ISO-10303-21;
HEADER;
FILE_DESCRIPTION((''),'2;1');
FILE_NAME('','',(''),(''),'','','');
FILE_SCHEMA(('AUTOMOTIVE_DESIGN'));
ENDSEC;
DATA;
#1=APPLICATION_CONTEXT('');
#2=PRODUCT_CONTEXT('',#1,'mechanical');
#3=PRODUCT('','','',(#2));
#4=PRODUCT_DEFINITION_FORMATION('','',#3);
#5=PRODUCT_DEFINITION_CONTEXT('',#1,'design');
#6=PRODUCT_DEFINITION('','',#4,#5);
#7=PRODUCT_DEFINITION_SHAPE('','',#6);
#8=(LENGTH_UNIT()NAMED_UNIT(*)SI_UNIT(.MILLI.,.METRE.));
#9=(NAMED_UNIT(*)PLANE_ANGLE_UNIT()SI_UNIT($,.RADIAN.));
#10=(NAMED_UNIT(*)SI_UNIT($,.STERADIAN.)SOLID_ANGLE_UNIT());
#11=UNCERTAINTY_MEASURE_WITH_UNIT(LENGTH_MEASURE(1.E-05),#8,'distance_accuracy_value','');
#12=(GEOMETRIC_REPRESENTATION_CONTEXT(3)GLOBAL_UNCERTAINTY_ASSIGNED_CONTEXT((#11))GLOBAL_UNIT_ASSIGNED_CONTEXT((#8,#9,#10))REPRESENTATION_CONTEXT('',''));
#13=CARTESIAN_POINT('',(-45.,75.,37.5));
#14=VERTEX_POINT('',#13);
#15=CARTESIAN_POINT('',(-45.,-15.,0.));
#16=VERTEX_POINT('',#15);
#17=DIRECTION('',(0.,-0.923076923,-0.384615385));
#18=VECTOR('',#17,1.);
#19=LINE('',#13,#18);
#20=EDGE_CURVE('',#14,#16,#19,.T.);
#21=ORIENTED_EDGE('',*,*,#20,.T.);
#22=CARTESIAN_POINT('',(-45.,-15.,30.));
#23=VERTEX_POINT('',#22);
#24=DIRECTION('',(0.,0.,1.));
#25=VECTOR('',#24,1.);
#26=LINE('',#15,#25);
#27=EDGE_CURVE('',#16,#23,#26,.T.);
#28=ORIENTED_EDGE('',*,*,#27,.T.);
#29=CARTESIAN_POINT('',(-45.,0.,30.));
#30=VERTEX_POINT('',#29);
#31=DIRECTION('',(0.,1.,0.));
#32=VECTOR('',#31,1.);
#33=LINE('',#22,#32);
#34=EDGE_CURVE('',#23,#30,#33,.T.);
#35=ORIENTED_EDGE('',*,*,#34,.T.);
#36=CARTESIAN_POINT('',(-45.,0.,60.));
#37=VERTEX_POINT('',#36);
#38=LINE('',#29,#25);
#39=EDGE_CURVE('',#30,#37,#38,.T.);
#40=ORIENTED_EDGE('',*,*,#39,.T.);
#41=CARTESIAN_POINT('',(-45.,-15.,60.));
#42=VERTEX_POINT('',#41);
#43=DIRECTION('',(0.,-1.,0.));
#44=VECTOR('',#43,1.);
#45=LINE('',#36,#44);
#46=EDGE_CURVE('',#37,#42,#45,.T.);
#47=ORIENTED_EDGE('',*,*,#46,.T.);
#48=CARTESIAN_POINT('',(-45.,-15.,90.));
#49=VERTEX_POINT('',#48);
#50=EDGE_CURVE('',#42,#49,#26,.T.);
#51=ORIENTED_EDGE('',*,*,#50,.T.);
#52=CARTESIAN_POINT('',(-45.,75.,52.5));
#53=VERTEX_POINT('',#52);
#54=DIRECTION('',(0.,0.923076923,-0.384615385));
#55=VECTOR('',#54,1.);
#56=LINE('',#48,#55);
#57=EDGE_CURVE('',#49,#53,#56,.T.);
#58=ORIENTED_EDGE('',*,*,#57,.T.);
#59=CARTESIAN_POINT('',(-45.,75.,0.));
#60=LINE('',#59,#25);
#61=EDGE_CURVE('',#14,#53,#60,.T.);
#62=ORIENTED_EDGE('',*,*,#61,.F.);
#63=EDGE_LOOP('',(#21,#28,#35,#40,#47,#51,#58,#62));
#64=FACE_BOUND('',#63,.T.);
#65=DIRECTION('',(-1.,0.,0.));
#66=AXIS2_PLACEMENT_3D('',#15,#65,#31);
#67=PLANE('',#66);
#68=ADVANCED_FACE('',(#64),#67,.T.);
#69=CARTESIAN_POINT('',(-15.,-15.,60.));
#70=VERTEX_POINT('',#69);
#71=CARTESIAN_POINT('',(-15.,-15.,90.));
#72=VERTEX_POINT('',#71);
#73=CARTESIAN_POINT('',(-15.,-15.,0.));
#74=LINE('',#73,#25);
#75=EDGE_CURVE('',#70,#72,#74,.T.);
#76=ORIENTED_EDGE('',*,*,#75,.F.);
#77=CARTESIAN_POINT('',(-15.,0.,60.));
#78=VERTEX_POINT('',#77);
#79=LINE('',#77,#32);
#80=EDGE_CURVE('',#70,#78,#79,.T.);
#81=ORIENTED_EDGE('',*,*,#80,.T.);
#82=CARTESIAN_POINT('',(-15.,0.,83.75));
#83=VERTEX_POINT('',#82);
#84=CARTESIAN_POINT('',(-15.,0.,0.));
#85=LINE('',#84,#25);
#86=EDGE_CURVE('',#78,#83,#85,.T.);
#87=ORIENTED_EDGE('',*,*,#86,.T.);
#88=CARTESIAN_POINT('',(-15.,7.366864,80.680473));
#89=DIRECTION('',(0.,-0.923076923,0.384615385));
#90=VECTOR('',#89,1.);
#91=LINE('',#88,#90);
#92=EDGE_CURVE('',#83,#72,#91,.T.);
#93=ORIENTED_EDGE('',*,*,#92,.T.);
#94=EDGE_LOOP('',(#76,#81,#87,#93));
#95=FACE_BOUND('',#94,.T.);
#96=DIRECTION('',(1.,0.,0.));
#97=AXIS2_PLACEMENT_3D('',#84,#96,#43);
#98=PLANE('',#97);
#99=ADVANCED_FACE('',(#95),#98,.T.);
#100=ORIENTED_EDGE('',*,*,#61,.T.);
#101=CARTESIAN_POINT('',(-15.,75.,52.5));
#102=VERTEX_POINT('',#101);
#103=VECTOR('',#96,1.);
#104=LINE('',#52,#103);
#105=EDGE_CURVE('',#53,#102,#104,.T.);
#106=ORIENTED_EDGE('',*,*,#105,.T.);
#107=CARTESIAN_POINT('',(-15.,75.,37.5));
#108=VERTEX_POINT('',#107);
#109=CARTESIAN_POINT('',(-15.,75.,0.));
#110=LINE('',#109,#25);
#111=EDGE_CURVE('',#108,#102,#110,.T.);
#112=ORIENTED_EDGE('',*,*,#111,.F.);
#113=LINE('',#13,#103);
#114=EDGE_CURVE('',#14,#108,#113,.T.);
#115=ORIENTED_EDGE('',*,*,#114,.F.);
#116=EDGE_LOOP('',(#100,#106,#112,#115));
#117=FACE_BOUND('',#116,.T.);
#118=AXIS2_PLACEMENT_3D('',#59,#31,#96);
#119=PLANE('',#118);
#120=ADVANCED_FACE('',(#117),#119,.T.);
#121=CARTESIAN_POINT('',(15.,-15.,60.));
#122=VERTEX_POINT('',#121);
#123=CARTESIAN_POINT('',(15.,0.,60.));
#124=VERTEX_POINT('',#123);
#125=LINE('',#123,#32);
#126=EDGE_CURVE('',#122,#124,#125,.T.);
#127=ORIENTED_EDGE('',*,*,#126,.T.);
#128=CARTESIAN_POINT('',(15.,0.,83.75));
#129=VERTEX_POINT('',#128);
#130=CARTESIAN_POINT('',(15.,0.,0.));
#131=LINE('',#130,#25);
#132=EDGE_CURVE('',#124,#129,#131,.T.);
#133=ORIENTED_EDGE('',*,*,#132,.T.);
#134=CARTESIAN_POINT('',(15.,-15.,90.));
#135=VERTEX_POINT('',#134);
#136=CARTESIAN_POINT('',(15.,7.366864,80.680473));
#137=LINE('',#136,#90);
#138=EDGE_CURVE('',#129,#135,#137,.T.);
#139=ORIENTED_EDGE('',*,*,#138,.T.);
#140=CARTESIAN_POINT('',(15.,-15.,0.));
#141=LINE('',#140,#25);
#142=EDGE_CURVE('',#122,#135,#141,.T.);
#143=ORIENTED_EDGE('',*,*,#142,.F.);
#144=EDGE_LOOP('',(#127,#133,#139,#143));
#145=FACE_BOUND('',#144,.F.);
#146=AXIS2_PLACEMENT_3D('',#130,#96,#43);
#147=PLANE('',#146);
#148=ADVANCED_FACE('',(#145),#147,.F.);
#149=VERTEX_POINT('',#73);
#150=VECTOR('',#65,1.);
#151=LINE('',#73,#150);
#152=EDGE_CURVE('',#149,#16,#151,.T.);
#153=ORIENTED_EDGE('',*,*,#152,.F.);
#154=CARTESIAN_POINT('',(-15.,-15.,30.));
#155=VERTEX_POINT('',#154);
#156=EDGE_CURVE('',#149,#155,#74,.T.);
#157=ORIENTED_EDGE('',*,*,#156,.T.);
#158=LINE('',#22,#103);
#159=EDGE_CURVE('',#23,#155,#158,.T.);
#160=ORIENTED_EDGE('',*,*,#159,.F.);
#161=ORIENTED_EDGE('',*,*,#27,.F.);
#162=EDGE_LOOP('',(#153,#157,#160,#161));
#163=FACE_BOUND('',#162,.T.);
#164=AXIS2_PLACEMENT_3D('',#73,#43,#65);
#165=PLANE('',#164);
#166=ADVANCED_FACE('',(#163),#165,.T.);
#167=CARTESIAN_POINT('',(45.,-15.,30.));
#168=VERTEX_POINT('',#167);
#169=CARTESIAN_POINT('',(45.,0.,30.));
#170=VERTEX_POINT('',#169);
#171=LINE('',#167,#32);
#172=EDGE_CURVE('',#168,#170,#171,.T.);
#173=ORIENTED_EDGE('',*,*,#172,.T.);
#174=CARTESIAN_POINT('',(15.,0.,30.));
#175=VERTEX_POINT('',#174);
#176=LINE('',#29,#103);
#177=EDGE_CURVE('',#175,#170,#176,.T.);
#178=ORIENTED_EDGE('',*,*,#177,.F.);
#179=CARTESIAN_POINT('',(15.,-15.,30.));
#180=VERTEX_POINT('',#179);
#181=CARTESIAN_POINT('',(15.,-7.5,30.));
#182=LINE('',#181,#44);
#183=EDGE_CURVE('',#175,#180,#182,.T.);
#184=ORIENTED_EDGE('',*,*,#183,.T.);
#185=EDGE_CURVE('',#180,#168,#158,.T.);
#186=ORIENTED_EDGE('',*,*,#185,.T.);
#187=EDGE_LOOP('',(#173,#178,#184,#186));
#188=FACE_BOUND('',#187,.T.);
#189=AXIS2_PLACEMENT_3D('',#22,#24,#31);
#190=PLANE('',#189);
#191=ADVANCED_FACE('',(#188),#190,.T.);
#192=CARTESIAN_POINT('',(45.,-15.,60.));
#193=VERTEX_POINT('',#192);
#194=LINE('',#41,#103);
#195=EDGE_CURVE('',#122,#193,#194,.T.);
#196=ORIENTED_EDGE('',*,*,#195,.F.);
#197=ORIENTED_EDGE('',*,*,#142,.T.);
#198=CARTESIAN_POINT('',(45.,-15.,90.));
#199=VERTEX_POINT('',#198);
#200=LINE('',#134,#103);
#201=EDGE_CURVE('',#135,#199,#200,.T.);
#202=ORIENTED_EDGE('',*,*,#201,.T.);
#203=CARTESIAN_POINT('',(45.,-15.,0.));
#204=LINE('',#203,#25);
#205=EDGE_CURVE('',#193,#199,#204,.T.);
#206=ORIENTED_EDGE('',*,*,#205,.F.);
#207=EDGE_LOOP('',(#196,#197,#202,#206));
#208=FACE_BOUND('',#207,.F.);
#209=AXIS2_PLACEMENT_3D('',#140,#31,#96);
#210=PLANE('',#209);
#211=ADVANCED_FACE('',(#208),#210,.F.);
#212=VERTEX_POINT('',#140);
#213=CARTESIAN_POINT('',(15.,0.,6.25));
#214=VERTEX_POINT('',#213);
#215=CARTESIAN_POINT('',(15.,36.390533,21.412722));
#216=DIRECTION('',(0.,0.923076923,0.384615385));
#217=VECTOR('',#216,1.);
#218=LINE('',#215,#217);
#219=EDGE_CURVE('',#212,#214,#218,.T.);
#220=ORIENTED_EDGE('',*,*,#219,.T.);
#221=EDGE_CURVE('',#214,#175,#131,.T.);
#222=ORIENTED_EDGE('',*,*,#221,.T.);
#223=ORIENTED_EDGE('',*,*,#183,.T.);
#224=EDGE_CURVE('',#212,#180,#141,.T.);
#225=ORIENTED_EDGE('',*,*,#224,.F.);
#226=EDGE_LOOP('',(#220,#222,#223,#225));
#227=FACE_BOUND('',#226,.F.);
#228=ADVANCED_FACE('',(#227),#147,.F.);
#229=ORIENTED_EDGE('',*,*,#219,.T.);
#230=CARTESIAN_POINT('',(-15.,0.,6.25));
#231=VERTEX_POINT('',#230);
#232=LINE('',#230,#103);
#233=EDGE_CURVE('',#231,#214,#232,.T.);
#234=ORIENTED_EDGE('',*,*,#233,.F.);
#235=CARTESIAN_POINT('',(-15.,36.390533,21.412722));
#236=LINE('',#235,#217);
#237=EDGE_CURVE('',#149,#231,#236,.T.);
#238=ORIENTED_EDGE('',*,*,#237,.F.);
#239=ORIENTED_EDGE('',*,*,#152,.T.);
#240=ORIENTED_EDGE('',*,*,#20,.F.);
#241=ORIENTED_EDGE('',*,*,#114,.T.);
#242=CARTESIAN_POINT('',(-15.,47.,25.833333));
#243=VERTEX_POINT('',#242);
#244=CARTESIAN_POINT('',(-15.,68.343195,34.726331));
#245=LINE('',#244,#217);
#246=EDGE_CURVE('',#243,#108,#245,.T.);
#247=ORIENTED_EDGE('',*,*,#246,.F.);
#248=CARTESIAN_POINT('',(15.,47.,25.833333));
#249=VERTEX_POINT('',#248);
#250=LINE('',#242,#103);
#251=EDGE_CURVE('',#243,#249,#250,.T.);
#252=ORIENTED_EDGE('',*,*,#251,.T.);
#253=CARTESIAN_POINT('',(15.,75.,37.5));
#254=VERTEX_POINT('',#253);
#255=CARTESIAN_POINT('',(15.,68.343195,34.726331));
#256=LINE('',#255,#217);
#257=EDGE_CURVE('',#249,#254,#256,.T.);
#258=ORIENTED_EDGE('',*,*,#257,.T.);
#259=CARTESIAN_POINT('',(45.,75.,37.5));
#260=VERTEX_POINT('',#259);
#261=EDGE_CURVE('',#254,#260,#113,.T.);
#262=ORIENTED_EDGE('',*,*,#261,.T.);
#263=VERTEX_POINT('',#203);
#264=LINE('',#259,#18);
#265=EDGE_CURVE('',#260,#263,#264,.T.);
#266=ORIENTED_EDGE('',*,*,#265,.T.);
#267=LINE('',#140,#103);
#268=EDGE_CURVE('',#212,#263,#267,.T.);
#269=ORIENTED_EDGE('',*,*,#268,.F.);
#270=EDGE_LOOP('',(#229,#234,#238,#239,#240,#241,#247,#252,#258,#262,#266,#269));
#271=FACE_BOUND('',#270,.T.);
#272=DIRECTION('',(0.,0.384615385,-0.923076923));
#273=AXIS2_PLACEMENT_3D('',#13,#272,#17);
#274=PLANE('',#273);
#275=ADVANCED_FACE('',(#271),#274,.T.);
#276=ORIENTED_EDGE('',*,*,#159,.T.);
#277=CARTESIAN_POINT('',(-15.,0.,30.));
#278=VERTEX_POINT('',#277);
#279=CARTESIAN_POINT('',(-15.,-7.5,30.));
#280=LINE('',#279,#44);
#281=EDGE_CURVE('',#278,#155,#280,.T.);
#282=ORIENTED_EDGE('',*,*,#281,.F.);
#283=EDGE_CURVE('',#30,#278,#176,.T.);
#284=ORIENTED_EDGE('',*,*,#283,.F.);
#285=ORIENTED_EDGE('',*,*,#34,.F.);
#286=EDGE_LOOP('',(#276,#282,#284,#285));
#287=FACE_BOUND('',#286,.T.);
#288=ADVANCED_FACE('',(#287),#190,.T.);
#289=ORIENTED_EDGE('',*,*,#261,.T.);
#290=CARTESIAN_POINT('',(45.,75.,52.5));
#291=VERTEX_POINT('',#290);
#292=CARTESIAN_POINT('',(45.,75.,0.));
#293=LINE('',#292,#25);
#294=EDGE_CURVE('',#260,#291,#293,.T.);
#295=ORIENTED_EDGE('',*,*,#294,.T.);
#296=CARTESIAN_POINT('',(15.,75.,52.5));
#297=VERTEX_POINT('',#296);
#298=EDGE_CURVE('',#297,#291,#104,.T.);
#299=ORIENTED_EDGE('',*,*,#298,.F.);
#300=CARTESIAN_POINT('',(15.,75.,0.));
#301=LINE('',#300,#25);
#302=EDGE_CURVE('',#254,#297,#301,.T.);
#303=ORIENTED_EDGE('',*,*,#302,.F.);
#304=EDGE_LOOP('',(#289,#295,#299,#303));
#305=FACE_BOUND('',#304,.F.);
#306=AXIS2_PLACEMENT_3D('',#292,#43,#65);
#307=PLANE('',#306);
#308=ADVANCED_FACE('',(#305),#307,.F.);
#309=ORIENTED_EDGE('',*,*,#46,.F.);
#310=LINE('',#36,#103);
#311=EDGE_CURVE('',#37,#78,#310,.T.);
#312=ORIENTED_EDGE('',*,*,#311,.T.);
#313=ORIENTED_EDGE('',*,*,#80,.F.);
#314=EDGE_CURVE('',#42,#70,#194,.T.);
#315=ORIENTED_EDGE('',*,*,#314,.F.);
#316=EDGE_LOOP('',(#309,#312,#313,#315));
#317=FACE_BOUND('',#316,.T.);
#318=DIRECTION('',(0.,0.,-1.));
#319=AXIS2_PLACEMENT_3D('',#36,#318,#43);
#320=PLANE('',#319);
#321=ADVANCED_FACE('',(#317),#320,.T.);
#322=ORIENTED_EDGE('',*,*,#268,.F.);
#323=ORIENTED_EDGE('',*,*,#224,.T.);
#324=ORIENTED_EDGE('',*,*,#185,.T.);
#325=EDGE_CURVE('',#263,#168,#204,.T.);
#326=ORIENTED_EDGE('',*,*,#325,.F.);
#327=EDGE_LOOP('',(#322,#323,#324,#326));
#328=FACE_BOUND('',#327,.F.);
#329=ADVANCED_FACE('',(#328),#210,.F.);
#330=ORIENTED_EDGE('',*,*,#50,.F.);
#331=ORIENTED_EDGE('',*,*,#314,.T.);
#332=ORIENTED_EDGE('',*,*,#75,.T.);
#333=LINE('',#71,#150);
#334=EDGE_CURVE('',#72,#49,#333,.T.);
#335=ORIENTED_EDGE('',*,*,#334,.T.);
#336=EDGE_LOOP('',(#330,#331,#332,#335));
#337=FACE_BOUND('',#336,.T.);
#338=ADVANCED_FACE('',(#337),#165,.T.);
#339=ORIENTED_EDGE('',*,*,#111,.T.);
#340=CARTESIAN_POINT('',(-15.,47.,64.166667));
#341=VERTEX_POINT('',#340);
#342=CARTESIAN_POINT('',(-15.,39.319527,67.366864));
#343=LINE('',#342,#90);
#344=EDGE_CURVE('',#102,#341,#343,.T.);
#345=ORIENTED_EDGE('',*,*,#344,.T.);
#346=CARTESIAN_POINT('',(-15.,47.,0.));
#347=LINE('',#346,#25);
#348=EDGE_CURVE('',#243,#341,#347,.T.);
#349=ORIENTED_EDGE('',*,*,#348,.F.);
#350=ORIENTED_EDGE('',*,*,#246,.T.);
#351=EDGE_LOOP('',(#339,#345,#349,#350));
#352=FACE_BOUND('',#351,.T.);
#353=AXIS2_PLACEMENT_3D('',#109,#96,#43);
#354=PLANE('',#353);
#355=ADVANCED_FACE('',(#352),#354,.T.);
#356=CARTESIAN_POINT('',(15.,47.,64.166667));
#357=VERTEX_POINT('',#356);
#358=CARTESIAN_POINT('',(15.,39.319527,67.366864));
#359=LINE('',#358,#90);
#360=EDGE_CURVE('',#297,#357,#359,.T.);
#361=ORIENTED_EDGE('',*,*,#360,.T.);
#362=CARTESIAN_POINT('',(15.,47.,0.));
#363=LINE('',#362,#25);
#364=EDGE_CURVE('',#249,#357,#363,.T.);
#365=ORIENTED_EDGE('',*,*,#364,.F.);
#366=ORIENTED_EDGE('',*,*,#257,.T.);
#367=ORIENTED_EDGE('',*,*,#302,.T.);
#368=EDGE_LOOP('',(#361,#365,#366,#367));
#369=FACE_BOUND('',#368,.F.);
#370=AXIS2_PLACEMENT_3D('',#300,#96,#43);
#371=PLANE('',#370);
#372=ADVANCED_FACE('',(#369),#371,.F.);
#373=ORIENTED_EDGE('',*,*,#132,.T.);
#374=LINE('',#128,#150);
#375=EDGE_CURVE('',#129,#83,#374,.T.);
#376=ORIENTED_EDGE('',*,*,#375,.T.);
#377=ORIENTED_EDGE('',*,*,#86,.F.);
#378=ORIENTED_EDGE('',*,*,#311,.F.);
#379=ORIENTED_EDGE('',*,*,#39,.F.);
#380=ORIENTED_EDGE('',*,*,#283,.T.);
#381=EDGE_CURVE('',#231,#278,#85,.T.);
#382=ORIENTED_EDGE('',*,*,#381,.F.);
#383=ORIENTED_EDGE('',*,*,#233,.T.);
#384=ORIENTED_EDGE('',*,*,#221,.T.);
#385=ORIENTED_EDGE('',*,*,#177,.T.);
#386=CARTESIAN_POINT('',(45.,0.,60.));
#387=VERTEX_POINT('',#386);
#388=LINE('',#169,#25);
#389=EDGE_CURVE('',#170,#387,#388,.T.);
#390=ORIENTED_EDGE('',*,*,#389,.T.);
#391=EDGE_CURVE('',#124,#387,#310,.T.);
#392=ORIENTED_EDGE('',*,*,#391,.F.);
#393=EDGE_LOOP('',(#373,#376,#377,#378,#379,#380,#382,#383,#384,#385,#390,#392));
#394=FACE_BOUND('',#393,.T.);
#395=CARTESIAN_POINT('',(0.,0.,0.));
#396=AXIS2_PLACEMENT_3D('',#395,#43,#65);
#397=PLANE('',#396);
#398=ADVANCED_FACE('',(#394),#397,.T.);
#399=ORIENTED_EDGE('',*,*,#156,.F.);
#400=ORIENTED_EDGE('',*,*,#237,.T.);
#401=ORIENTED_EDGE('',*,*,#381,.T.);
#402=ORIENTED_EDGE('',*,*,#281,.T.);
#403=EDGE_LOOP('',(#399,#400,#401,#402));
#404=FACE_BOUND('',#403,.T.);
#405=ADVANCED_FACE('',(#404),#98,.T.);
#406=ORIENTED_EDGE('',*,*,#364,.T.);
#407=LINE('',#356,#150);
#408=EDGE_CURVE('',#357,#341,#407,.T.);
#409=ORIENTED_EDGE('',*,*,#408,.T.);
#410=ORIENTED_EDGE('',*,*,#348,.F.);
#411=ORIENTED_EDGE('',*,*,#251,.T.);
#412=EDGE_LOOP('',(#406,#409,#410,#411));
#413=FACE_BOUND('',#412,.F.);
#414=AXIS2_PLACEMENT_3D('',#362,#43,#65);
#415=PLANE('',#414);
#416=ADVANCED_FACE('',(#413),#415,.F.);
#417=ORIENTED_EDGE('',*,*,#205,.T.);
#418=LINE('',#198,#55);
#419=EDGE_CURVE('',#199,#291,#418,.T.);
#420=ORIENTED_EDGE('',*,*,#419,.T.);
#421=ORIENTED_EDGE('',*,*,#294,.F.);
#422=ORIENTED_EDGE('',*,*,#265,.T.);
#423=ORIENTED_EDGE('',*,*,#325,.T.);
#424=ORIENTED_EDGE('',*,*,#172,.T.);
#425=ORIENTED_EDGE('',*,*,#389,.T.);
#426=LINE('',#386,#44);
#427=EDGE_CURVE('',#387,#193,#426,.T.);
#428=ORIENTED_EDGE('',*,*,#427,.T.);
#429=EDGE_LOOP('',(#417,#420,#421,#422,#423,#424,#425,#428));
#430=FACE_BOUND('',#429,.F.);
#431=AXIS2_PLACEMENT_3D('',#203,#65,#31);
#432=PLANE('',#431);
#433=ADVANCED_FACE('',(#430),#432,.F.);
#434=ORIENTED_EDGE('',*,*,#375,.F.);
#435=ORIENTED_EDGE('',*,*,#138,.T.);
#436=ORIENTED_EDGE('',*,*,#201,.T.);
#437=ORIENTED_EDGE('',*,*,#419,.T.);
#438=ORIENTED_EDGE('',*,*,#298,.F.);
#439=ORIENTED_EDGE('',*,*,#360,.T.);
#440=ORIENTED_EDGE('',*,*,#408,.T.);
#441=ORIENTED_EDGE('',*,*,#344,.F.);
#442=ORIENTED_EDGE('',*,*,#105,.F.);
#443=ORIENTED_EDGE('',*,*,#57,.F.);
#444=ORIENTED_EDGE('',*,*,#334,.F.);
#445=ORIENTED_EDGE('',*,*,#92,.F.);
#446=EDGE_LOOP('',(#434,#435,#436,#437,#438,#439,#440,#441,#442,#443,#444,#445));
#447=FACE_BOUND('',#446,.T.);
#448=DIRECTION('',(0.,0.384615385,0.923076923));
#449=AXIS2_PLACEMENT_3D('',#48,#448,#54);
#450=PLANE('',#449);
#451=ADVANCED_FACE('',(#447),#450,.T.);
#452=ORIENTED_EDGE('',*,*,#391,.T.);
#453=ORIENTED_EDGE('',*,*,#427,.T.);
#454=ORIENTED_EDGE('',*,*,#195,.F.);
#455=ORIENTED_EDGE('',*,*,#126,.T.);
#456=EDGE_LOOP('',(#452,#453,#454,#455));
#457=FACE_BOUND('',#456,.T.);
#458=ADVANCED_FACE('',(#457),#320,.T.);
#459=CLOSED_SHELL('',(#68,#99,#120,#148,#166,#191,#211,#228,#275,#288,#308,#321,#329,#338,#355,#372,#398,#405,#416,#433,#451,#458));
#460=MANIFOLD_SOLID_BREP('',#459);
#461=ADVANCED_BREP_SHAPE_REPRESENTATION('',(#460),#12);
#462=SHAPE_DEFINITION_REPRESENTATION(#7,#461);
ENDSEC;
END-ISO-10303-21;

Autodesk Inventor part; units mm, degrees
ref_plane "YZ Plane" through (0, 0, 0) normal (1, 0, 0) x (0, 1, 0)
ref_plane "XZ Plane" through (0, 0, 0) normal (0, 1, 0) x (-1, 0, 0)
ref_plane "XY Plane" through (0, 0, 0) normal (0, 0, 1) x (1, 0, 0)
sketch "Sketch1" plane through (0, 0, 0) normal (0, 0, 1) x (1, 0, 0)
  line L0 (0, 0) -> (15, 0)
  line L1 (15, 0) -> (15, -15)
  line L2 (15, -15) -> (45, -15)
  line L3 (45, -15) -> (45, 75)
  line L4 (45, 75) -> (15, 75)
  line L5 (15, 75) -> (15, 47)
  line L6 (15, 47) -> (0, 47)
  line L7 (0, 0) -> (0, 47) construction
  line L8 (0, 0) -> (-15, 0)
  line L9 (-15, 0) -> (-15, -15)
  line L10 (-15, -15) -> (-45, -15)
  line L11 (-45, -15) -> (-45, 75)
  line L12 (-45, 75) -> (-15, 75)
  line L13 (-15, 75) -> (-15, 47)
  line L14 (-15, 47) -> (0, 47)
  dimension "d0" = 47
  dimension "d1" = 28
  dimension "d2" = 30
  dimension "d3" = 15
  dimension "d4" = 90
extrude "Extrusion1" add sketch "Sketch1" along normal blind 90
sketch "Sketch2" plane through (-45, -15, 0) normal (-1, 0, 0) x (0, 0, 1)
  line L0 (0, 90) -> (0, 0) projected
  line L1 (0, 0) -> (90, 0) projected
  line L2 (90, 90) -> (90, 0) projected
  line L3 (0, 90) -> (90, 90) projected
  line L4 (90, 15) -> (90, 0) projected
  line L5 (90, 0) -> (52.5, 90)
  line L6 (0, 90) -> (90, 90) projected
  line L7 (37.5, 90) -> (0, 0)
  line L8 (30, 0) -> (30, 15)
  line L9 (30, 15) -> (60, 15)
  line L10 (60, 15) -> (60, 0)
  point P0 (0, 15)
  point P1 (45, 15)
  point P2 (45, 0)
  dimension "d12" = 30
  dimension "d13" = 15
extrude "Extrusion2" cut sketch "Sketch2" against normal blind 90 contours L3 L7 L0 | L8 L9 L10 L1 | L3 L2 L5
properties part number "b4"
